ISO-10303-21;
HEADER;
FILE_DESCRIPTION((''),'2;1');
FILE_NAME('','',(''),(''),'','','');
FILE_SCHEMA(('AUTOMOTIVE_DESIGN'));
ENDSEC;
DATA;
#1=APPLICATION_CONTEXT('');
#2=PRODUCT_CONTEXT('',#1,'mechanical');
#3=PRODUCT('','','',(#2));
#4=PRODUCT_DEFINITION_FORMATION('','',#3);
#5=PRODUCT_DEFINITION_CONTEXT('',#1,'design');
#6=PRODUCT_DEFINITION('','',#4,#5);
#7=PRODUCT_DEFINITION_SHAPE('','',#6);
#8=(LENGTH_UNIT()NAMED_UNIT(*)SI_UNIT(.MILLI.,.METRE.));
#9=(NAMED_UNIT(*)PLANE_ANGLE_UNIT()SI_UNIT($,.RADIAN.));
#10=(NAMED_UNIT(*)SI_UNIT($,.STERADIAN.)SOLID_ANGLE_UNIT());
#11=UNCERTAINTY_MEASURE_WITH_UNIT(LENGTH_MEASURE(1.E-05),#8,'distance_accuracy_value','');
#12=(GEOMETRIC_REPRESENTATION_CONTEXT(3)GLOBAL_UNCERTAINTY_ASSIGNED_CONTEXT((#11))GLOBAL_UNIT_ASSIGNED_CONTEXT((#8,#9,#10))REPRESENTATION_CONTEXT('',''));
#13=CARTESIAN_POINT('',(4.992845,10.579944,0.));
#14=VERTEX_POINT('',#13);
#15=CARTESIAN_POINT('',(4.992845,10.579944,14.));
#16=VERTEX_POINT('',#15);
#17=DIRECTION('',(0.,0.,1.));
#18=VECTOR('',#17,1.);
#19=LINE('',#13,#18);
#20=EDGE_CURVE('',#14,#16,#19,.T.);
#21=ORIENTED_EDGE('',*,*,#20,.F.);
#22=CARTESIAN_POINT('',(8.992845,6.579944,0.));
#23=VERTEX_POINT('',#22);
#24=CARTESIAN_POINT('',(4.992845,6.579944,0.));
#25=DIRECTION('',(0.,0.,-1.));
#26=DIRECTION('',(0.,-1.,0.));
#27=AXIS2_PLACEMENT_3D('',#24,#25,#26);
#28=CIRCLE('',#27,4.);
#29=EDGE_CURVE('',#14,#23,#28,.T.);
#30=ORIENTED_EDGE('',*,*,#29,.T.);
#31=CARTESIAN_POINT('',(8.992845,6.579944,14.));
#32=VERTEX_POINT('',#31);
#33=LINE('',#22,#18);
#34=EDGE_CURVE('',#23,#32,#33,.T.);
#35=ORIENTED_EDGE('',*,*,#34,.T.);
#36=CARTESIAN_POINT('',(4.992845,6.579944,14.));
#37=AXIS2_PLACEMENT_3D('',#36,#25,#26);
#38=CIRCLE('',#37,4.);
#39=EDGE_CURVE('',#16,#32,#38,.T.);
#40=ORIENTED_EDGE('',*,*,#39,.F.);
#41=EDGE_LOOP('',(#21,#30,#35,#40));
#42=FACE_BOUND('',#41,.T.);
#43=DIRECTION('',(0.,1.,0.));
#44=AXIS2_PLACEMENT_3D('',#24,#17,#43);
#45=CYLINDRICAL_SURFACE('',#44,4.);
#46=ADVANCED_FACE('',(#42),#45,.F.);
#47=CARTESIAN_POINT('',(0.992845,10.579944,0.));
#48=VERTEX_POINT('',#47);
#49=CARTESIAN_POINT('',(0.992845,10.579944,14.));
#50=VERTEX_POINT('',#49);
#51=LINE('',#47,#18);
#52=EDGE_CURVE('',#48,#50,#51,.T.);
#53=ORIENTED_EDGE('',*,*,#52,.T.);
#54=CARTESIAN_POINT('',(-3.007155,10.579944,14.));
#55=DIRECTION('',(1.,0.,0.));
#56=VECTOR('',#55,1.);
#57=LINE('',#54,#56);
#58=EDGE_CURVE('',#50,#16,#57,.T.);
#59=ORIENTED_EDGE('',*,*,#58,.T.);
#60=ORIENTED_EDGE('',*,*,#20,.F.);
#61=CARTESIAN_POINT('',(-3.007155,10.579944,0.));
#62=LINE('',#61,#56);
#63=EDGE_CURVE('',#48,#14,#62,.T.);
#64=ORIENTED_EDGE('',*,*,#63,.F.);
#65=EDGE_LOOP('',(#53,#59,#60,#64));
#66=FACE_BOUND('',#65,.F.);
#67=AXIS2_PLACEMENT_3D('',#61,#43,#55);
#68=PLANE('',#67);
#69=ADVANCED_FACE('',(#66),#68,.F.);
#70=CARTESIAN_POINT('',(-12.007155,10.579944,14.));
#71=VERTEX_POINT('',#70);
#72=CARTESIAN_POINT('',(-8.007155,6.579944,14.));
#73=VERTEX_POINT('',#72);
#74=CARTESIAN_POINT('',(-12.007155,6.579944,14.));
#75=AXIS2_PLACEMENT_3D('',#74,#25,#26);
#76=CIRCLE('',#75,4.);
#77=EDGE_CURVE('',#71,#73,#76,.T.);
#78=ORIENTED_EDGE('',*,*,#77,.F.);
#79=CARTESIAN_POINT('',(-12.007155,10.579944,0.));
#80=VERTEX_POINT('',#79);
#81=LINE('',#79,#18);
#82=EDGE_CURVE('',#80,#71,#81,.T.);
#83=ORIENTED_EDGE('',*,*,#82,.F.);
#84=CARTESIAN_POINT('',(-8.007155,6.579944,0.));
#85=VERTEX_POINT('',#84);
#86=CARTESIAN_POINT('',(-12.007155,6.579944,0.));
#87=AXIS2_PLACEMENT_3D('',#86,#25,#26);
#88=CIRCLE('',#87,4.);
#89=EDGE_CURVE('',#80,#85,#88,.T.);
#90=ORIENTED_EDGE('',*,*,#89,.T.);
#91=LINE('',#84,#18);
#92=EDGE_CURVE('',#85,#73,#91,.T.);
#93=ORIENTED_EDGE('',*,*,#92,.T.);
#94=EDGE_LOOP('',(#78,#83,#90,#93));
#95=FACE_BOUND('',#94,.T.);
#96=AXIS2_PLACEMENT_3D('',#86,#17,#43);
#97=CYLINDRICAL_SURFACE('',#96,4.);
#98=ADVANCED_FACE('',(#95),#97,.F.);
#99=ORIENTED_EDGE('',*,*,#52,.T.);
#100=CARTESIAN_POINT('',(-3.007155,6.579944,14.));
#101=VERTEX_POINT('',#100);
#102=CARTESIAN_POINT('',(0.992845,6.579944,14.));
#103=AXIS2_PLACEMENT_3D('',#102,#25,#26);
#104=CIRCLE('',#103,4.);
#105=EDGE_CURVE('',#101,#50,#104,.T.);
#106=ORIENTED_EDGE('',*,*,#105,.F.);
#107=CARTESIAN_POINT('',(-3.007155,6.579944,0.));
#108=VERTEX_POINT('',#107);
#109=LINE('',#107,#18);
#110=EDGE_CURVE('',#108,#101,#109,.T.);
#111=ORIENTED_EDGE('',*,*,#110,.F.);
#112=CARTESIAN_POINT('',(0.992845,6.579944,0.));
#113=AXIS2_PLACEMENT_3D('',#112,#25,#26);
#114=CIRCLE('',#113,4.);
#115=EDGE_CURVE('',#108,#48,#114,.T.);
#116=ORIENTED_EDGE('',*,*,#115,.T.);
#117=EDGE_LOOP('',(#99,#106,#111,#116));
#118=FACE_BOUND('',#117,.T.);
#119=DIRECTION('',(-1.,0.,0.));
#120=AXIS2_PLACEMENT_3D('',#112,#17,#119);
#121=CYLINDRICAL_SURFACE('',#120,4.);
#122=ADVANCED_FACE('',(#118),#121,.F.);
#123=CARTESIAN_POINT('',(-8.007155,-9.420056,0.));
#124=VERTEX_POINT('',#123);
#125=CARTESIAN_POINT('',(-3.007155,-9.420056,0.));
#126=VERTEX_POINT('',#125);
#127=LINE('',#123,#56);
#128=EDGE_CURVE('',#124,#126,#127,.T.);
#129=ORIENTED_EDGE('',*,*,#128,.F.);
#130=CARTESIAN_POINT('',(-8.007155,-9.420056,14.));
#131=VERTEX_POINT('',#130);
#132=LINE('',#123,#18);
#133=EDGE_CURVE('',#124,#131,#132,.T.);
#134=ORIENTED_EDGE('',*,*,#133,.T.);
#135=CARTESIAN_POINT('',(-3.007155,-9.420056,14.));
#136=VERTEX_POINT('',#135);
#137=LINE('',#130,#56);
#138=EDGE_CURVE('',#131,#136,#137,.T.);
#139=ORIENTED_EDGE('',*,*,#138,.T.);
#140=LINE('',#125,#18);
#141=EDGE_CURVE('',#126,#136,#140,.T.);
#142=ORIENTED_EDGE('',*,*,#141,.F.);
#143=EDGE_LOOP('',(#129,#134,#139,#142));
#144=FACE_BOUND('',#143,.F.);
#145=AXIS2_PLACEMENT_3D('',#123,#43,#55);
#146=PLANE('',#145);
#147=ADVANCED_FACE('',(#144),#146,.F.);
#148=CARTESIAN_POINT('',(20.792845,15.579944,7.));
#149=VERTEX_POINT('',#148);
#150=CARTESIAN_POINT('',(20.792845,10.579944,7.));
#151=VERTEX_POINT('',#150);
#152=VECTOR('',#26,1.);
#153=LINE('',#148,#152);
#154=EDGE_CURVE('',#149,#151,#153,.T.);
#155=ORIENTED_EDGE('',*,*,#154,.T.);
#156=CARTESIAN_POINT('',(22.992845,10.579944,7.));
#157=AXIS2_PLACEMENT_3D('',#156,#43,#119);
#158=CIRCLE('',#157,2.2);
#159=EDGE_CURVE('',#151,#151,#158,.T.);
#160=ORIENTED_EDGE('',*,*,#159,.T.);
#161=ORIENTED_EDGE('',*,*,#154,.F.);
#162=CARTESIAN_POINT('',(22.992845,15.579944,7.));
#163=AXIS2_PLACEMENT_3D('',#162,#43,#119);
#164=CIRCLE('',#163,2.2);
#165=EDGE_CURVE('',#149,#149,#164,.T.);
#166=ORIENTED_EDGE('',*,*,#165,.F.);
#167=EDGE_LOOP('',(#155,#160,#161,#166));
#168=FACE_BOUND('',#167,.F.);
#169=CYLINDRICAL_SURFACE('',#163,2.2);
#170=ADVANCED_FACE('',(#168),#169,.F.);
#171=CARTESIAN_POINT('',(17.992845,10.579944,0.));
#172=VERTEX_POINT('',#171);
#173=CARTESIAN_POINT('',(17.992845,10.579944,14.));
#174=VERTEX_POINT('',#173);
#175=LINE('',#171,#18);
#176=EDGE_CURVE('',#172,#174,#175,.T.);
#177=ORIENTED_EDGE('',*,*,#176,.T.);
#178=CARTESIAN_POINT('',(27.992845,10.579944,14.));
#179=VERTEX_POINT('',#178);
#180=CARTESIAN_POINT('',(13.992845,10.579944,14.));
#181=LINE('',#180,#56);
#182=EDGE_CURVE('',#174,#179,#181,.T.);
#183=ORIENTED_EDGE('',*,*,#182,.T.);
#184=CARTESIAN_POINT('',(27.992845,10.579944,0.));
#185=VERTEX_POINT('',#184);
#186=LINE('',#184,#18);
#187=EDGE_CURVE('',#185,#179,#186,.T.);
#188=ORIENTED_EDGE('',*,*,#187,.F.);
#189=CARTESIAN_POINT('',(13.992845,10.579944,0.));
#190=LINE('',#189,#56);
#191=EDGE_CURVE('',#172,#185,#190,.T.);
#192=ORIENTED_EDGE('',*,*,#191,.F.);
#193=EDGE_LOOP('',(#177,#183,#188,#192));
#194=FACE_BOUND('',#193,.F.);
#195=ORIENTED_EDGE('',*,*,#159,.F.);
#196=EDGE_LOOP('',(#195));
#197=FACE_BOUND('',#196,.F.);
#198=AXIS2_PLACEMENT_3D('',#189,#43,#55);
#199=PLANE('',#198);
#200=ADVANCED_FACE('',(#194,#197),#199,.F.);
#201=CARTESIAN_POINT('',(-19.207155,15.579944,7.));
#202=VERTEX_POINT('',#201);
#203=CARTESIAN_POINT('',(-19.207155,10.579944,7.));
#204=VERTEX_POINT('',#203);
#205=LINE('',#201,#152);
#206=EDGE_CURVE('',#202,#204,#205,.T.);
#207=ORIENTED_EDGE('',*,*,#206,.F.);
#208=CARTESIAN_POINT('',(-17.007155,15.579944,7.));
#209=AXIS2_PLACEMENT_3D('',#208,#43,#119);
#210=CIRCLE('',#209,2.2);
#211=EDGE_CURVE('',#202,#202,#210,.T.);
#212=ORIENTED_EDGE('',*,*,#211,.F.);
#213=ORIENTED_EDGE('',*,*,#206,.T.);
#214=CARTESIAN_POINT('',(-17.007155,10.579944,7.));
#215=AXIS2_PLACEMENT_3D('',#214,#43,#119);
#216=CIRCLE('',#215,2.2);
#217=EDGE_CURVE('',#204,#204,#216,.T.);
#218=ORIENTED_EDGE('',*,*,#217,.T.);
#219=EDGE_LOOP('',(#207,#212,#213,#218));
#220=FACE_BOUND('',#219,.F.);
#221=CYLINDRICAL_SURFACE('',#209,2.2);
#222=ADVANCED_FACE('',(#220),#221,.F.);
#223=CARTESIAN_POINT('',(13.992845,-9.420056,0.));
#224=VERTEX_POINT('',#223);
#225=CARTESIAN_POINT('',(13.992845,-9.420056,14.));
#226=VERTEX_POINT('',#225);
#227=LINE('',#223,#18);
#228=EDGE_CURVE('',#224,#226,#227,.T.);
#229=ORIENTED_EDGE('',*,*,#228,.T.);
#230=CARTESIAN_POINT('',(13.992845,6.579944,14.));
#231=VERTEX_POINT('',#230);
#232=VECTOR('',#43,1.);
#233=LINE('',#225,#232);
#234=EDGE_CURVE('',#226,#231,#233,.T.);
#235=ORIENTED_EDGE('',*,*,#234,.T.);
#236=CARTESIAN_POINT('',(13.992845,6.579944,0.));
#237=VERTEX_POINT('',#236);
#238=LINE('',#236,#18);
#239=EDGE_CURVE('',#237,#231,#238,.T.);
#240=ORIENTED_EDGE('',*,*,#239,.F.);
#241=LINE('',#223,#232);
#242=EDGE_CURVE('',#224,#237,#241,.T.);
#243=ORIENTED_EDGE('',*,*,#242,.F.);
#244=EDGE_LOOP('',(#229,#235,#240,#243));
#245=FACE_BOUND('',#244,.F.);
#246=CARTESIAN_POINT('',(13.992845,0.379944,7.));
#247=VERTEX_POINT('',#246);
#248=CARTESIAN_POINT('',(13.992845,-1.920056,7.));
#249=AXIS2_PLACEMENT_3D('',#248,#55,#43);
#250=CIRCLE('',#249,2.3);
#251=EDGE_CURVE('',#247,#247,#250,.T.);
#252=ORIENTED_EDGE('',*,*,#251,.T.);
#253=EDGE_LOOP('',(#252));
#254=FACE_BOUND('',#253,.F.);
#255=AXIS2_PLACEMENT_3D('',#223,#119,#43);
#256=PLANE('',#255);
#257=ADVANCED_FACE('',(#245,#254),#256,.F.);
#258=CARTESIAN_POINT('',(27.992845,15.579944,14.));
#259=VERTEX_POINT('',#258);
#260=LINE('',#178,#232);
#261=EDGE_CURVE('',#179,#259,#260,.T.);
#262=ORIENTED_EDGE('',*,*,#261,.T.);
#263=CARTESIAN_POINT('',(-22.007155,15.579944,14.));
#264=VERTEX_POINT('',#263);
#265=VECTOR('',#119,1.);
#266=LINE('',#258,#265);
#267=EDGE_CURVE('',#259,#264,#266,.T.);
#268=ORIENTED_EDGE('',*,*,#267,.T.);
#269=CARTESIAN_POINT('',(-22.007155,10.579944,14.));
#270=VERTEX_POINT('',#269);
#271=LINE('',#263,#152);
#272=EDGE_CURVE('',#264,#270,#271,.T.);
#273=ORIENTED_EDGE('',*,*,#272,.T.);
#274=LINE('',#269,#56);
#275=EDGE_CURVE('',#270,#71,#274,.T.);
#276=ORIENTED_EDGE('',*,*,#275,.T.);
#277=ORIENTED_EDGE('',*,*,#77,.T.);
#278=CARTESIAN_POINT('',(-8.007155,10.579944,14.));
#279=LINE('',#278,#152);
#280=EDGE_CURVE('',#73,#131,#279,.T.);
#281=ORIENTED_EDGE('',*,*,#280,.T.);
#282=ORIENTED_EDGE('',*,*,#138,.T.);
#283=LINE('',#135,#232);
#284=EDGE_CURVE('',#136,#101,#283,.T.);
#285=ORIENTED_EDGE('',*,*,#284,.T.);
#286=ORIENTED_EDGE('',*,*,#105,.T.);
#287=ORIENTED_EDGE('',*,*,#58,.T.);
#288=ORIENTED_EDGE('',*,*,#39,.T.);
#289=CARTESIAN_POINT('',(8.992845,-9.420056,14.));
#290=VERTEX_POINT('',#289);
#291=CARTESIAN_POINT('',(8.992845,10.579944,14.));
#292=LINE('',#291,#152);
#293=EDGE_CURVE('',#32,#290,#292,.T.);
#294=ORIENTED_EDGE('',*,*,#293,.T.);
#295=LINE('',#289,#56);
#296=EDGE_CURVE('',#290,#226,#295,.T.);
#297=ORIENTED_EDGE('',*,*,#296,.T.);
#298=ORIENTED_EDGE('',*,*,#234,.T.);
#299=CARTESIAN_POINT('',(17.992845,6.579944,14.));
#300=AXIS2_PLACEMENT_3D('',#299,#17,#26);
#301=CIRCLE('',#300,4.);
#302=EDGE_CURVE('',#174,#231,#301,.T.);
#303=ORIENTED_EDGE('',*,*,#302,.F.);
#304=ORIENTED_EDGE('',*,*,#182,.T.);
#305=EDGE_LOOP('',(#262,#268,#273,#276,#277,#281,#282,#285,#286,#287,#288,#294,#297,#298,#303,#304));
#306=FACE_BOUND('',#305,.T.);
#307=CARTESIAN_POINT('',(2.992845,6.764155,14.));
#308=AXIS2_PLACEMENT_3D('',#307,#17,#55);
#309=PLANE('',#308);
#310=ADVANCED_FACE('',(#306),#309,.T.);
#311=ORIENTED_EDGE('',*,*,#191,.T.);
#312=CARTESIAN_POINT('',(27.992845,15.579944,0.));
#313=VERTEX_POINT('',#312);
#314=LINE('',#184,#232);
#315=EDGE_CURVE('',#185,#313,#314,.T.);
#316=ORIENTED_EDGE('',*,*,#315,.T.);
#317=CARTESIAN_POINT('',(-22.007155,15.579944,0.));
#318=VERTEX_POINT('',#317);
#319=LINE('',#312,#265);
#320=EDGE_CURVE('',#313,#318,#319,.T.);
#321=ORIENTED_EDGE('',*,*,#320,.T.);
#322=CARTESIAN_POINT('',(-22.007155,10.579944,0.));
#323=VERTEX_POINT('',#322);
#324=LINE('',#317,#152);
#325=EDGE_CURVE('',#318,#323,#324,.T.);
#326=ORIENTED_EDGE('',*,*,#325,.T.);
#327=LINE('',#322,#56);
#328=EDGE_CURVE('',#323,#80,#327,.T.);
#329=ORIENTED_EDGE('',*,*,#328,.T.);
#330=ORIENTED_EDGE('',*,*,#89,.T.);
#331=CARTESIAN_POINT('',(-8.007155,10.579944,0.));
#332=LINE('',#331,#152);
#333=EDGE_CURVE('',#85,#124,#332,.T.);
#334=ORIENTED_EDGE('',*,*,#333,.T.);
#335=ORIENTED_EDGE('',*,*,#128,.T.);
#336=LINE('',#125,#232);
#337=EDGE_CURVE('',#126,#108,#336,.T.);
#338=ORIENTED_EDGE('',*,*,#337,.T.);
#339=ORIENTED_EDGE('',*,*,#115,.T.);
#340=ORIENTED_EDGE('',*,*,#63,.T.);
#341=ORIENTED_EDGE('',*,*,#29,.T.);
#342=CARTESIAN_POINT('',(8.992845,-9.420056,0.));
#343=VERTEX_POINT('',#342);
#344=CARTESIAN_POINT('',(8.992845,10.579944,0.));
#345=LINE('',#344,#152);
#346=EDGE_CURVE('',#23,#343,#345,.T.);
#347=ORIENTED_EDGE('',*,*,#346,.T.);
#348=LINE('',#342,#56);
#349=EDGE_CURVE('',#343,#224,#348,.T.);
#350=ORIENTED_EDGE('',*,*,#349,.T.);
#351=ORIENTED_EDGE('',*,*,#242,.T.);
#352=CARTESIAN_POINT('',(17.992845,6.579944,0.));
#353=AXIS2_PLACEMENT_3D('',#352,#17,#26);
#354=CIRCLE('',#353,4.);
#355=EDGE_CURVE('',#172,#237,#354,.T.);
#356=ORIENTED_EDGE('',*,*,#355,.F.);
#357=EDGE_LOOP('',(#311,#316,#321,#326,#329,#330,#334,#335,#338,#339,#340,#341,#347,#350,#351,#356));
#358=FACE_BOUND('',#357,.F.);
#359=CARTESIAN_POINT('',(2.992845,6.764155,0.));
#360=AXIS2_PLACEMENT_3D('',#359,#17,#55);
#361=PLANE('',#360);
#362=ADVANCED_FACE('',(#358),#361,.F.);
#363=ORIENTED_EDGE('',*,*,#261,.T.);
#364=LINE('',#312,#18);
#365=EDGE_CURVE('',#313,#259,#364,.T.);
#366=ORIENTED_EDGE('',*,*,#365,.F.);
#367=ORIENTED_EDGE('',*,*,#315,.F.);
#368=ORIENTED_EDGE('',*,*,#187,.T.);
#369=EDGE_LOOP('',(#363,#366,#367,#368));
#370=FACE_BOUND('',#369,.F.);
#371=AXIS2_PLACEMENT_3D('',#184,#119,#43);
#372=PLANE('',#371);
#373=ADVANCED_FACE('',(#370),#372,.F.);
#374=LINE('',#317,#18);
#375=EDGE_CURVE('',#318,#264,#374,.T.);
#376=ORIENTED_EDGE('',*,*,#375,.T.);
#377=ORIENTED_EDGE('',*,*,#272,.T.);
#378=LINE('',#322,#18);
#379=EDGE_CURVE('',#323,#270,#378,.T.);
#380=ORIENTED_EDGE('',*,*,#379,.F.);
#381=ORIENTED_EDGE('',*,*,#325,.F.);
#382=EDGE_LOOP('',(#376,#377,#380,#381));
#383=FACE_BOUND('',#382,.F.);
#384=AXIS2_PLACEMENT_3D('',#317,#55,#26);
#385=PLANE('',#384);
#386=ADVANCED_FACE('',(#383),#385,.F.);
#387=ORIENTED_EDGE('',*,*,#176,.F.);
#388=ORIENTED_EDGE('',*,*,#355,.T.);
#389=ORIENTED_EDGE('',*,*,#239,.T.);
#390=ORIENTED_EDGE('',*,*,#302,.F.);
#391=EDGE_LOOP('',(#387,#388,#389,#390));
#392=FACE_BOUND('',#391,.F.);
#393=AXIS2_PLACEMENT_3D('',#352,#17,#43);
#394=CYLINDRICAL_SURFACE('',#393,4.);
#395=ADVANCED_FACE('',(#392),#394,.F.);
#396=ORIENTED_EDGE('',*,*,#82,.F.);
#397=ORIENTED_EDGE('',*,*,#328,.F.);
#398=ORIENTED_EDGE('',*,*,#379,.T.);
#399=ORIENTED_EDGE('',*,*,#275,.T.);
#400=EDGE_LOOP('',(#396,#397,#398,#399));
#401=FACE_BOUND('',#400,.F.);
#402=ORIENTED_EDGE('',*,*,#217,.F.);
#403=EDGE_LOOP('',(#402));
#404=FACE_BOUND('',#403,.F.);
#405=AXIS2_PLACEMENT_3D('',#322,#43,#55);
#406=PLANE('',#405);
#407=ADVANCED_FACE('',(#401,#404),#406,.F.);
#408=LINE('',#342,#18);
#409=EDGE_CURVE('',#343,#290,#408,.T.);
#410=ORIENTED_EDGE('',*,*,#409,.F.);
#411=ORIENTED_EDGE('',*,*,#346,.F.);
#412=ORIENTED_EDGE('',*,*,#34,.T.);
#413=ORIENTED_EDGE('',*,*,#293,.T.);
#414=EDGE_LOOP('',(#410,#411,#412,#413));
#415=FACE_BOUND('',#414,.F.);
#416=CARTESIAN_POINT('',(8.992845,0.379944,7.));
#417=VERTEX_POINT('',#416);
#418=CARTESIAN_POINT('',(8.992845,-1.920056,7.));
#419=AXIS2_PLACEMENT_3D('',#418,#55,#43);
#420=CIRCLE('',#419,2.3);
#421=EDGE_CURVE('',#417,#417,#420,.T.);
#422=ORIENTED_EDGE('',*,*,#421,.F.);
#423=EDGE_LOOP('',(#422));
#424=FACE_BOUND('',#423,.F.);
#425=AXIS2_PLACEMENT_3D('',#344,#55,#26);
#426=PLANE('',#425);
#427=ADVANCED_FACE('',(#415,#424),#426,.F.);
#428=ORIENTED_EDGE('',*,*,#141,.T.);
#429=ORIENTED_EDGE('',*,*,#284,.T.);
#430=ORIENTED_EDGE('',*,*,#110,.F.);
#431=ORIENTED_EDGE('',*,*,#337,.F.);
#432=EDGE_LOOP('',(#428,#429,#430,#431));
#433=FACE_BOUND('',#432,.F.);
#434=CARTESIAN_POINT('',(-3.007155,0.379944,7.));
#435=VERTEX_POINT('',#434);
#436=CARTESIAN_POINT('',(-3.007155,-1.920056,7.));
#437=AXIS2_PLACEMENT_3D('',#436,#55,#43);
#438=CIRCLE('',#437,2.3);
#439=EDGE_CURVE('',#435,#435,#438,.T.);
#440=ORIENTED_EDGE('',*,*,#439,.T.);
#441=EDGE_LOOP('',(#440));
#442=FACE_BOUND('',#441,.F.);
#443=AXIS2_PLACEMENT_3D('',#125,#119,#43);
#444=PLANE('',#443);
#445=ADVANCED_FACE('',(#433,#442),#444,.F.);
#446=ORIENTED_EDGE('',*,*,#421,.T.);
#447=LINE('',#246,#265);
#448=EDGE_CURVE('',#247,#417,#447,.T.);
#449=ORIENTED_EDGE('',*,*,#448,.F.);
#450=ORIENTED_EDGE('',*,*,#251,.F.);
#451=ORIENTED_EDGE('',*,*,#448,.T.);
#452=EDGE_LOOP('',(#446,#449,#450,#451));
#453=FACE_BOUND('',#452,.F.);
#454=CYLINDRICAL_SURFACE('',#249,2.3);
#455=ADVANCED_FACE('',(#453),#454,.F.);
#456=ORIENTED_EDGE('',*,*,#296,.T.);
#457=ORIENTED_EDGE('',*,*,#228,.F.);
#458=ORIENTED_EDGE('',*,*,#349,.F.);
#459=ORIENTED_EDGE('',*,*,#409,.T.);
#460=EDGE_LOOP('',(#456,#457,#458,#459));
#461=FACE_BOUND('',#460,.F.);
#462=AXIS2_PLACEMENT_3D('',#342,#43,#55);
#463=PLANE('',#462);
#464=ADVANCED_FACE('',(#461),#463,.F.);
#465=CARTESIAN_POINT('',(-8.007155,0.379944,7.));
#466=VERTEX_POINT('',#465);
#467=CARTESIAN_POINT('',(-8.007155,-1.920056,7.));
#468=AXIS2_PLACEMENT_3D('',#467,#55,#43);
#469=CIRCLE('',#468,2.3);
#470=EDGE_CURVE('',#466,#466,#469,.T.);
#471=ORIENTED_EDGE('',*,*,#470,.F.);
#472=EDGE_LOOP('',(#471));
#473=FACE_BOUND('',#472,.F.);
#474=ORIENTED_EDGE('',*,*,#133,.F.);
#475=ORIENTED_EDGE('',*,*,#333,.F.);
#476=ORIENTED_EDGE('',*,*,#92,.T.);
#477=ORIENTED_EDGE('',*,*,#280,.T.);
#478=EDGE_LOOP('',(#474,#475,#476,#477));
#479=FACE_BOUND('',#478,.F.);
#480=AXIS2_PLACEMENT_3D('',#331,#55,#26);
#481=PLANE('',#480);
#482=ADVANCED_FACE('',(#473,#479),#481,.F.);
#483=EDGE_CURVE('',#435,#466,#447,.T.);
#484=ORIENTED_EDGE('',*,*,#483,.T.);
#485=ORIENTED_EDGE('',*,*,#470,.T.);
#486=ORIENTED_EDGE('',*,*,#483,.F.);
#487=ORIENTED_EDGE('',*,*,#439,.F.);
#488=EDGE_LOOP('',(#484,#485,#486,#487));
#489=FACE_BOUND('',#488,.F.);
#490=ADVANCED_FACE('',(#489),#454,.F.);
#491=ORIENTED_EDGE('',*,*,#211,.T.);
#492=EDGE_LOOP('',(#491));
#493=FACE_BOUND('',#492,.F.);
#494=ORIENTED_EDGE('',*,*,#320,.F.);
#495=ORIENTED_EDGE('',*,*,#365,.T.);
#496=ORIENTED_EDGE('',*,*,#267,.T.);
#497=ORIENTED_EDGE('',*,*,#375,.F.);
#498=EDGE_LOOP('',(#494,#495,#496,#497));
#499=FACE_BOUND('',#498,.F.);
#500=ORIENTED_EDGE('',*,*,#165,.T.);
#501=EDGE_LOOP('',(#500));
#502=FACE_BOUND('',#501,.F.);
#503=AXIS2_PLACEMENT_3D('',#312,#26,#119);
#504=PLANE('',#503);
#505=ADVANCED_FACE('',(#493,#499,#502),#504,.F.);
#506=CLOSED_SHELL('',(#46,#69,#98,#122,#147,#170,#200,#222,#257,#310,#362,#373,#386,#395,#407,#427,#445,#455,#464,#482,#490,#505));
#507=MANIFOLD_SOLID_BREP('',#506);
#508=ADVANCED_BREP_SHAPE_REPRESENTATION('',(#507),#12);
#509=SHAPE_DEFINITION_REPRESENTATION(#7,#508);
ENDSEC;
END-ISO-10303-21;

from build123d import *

# Parameters (mm, degrees)
PAD_DEPTH       = 14
SKETCH001_R     = 2.3
POCKET_DEPTH    = 36.001
SKETCH002_R     = 2.2
POCKET001_DEPTH = 25.001
FILLET_R        = 4


with BuildPart() as part:
    # Sketch → Pad (new body)
    with BuildSketch(Plane.XY):
        Polygon((27.992845, 15.579944), (-22.007155, 15.579944), (-22.007155, 10.579944), (-8.007155, 10.579944), (-8.007155, -9.420056), (-3.007155, -9.420056), (-3.007155, 10.579944), (8.992845, 10.579944), (8.992845, -9.420056), (13.992845, -9.420056), (13.992845, 10.579944), (27.992845, 10.579944), align=None)
    extrude(amount=PAD_DEPTH)

    # Sketch001 → Pocket (cut, through all)
    with BuildSketch(Plane.YZ.offset(13.992845)):
        with Locations((-1.920056, 7)):
            Circle(SKETCH001_R)
    extrude(amount=-POCKET_DEPTH, mode=Mode.SUBTRACT)

    # Sketch002 → Pocket001 (cut, through all)
    with BuildSketch(Plane(origin=(0, 15.579944, 0), x_dir=(-1, 0, 0), z_dir=(0, 1, 0))):
        with Locations((-22.992845, 7)):
            Circle(SKETCH002_R)
        with Locations((17.007155, 7)):
            Circle(SKETCH002_R)
    extrude(amount=-POCKET001_DEPTH, mode=Mode.SUBTRACT)

    # Fillet
    fillet_edges = [part.edges().sort_by_distance(p)[0] for p in [
        (13.992845, 10.579944, 7),
        (-8.007155, 10.579944, 7),
        (8.992845, 10.579944, 7),
        (-3.007155, 10.579944, 7),
    ]]
    fillet(fillet_edges, radius=FILLET_R)


solid = part.part
